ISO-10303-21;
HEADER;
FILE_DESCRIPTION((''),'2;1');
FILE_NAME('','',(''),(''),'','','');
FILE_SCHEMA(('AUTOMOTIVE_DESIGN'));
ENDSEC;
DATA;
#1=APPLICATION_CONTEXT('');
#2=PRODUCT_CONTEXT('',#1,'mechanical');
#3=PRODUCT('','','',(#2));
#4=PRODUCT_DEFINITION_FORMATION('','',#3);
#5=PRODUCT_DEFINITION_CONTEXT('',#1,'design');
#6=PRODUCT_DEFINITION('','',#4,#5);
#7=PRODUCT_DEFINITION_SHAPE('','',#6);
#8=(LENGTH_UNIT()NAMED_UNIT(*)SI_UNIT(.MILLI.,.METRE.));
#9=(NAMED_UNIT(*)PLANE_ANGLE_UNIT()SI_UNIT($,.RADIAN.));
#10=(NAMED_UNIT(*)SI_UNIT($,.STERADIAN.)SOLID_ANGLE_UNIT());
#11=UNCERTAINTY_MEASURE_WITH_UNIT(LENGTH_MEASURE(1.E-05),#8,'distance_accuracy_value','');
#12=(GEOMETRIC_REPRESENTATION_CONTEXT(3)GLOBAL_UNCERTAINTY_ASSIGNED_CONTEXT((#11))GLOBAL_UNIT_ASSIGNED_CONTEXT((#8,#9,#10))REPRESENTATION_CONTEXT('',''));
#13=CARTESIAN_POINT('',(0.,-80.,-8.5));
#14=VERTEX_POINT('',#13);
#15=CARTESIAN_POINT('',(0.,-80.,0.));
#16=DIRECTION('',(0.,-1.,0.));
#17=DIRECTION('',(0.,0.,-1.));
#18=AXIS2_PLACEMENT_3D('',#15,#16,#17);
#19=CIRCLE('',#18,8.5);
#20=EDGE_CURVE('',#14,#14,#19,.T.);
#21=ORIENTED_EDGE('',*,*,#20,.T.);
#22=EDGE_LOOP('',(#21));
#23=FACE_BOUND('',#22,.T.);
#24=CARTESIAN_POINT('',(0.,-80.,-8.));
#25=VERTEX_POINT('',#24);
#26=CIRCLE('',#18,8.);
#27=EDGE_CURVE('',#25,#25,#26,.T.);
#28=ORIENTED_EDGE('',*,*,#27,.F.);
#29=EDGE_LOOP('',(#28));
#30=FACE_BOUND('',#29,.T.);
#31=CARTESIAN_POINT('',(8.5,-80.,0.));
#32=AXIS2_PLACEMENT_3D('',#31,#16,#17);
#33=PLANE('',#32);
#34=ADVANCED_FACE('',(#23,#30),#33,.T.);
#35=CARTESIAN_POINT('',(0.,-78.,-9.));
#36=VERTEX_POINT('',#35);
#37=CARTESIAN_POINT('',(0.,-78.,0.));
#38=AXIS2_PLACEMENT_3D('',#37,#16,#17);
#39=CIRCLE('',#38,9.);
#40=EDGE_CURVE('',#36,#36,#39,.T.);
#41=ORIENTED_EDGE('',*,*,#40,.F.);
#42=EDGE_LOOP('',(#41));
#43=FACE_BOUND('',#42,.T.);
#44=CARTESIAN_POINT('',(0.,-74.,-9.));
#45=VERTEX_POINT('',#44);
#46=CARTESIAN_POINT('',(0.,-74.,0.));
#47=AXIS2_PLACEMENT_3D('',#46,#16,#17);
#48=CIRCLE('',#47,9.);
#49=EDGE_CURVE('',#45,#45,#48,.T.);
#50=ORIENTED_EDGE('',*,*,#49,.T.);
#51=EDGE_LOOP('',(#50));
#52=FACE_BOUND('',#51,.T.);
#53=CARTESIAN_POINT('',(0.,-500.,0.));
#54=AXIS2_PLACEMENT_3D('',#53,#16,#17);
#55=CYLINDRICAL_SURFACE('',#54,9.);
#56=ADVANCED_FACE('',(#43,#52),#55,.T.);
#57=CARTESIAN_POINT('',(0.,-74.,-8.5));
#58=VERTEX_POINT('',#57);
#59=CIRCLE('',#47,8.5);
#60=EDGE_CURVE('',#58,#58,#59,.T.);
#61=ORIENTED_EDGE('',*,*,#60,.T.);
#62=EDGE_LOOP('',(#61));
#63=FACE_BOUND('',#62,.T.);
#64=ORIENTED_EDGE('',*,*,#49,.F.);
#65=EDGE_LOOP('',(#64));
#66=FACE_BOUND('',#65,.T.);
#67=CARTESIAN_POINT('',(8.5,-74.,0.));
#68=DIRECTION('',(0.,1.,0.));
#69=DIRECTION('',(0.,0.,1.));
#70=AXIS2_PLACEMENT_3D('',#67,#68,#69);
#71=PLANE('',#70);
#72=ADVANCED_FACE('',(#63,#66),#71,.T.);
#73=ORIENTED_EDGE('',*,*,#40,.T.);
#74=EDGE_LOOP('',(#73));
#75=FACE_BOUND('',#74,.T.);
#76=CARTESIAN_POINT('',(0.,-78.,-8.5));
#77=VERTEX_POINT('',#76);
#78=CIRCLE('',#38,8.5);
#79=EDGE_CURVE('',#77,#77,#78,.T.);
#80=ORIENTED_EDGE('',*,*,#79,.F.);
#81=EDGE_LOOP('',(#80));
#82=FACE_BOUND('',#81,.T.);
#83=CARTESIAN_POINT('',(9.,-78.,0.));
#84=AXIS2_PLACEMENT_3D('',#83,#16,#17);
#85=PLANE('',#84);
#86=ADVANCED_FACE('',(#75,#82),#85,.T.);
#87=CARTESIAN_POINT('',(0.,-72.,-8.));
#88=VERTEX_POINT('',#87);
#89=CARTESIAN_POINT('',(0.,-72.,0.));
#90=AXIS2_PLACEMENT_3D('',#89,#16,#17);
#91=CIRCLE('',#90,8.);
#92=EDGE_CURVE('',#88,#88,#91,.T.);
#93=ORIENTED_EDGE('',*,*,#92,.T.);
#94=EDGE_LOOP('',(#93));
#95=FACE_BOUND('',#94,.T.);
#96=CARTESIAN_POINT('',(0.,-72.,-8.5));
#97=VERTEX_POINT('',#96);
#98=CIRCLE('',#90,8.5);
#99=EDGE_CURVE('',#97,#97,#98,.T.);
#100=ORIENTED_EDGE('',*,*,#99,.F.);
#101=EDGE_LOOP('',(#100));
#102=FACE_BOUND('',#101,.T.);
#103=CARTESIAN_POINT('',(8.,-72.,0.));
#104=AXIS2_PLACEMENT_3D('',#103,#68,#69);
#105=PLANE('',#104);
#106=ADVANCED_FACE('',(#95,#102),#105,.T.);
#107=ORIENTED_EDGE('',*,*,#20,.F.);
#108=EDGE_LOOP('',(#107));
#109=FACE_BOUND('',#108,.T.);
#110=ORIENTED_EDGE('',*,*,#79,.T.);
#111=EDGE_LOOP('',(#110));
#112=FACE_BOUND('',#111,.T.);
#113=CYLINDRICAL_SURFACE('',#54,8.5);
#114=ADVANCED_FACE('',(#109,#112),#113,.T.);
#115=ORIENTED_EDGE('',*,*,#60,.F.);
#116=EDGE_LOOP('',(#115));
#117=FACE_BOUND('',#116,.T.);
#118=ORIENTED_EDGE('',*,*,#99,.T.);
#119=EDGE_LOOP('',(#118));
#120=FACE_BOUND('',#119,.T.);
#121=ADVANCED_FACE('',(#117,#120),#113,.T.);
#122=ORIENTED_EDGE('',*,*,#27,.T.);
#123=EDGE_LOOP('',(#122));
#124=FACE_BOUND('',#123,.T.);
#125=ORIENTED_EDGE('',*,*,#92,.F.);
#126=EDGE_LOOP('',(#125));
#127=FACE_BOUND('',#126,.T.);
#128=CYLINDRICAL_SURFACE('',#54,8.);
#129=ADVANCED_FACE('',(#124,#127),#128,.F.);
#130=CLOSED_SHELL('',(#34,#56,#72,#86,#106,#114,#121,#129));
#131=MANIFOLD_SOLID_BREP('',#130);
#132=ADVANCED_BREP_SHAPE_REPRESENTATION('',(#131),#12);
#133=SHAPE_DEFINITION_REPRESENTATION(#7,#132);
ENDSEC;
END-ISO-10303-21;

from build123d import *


with BuildPart() as part:
    # Reconstructed nominal axial profile → Native revolved geometry (revolve)
    with BuildSketch(Plane.XY, mode=Mode.PRIVATE) as native_revolved_geometry_sk:
        Polygon((8, -80), (8, -72), (8.5, -72), (8.5, -74), (9, -74), (9, -78), (8.5, -78), (8.5, -80), align=None)
    revolve(native_revolved_geometry_sk.sketch.rotate(Axis((0, -500, 0), (0, 1, 0)), 90), axis=Axis((0, -500, 0), (0, 1, 0)))


solid = part.part
